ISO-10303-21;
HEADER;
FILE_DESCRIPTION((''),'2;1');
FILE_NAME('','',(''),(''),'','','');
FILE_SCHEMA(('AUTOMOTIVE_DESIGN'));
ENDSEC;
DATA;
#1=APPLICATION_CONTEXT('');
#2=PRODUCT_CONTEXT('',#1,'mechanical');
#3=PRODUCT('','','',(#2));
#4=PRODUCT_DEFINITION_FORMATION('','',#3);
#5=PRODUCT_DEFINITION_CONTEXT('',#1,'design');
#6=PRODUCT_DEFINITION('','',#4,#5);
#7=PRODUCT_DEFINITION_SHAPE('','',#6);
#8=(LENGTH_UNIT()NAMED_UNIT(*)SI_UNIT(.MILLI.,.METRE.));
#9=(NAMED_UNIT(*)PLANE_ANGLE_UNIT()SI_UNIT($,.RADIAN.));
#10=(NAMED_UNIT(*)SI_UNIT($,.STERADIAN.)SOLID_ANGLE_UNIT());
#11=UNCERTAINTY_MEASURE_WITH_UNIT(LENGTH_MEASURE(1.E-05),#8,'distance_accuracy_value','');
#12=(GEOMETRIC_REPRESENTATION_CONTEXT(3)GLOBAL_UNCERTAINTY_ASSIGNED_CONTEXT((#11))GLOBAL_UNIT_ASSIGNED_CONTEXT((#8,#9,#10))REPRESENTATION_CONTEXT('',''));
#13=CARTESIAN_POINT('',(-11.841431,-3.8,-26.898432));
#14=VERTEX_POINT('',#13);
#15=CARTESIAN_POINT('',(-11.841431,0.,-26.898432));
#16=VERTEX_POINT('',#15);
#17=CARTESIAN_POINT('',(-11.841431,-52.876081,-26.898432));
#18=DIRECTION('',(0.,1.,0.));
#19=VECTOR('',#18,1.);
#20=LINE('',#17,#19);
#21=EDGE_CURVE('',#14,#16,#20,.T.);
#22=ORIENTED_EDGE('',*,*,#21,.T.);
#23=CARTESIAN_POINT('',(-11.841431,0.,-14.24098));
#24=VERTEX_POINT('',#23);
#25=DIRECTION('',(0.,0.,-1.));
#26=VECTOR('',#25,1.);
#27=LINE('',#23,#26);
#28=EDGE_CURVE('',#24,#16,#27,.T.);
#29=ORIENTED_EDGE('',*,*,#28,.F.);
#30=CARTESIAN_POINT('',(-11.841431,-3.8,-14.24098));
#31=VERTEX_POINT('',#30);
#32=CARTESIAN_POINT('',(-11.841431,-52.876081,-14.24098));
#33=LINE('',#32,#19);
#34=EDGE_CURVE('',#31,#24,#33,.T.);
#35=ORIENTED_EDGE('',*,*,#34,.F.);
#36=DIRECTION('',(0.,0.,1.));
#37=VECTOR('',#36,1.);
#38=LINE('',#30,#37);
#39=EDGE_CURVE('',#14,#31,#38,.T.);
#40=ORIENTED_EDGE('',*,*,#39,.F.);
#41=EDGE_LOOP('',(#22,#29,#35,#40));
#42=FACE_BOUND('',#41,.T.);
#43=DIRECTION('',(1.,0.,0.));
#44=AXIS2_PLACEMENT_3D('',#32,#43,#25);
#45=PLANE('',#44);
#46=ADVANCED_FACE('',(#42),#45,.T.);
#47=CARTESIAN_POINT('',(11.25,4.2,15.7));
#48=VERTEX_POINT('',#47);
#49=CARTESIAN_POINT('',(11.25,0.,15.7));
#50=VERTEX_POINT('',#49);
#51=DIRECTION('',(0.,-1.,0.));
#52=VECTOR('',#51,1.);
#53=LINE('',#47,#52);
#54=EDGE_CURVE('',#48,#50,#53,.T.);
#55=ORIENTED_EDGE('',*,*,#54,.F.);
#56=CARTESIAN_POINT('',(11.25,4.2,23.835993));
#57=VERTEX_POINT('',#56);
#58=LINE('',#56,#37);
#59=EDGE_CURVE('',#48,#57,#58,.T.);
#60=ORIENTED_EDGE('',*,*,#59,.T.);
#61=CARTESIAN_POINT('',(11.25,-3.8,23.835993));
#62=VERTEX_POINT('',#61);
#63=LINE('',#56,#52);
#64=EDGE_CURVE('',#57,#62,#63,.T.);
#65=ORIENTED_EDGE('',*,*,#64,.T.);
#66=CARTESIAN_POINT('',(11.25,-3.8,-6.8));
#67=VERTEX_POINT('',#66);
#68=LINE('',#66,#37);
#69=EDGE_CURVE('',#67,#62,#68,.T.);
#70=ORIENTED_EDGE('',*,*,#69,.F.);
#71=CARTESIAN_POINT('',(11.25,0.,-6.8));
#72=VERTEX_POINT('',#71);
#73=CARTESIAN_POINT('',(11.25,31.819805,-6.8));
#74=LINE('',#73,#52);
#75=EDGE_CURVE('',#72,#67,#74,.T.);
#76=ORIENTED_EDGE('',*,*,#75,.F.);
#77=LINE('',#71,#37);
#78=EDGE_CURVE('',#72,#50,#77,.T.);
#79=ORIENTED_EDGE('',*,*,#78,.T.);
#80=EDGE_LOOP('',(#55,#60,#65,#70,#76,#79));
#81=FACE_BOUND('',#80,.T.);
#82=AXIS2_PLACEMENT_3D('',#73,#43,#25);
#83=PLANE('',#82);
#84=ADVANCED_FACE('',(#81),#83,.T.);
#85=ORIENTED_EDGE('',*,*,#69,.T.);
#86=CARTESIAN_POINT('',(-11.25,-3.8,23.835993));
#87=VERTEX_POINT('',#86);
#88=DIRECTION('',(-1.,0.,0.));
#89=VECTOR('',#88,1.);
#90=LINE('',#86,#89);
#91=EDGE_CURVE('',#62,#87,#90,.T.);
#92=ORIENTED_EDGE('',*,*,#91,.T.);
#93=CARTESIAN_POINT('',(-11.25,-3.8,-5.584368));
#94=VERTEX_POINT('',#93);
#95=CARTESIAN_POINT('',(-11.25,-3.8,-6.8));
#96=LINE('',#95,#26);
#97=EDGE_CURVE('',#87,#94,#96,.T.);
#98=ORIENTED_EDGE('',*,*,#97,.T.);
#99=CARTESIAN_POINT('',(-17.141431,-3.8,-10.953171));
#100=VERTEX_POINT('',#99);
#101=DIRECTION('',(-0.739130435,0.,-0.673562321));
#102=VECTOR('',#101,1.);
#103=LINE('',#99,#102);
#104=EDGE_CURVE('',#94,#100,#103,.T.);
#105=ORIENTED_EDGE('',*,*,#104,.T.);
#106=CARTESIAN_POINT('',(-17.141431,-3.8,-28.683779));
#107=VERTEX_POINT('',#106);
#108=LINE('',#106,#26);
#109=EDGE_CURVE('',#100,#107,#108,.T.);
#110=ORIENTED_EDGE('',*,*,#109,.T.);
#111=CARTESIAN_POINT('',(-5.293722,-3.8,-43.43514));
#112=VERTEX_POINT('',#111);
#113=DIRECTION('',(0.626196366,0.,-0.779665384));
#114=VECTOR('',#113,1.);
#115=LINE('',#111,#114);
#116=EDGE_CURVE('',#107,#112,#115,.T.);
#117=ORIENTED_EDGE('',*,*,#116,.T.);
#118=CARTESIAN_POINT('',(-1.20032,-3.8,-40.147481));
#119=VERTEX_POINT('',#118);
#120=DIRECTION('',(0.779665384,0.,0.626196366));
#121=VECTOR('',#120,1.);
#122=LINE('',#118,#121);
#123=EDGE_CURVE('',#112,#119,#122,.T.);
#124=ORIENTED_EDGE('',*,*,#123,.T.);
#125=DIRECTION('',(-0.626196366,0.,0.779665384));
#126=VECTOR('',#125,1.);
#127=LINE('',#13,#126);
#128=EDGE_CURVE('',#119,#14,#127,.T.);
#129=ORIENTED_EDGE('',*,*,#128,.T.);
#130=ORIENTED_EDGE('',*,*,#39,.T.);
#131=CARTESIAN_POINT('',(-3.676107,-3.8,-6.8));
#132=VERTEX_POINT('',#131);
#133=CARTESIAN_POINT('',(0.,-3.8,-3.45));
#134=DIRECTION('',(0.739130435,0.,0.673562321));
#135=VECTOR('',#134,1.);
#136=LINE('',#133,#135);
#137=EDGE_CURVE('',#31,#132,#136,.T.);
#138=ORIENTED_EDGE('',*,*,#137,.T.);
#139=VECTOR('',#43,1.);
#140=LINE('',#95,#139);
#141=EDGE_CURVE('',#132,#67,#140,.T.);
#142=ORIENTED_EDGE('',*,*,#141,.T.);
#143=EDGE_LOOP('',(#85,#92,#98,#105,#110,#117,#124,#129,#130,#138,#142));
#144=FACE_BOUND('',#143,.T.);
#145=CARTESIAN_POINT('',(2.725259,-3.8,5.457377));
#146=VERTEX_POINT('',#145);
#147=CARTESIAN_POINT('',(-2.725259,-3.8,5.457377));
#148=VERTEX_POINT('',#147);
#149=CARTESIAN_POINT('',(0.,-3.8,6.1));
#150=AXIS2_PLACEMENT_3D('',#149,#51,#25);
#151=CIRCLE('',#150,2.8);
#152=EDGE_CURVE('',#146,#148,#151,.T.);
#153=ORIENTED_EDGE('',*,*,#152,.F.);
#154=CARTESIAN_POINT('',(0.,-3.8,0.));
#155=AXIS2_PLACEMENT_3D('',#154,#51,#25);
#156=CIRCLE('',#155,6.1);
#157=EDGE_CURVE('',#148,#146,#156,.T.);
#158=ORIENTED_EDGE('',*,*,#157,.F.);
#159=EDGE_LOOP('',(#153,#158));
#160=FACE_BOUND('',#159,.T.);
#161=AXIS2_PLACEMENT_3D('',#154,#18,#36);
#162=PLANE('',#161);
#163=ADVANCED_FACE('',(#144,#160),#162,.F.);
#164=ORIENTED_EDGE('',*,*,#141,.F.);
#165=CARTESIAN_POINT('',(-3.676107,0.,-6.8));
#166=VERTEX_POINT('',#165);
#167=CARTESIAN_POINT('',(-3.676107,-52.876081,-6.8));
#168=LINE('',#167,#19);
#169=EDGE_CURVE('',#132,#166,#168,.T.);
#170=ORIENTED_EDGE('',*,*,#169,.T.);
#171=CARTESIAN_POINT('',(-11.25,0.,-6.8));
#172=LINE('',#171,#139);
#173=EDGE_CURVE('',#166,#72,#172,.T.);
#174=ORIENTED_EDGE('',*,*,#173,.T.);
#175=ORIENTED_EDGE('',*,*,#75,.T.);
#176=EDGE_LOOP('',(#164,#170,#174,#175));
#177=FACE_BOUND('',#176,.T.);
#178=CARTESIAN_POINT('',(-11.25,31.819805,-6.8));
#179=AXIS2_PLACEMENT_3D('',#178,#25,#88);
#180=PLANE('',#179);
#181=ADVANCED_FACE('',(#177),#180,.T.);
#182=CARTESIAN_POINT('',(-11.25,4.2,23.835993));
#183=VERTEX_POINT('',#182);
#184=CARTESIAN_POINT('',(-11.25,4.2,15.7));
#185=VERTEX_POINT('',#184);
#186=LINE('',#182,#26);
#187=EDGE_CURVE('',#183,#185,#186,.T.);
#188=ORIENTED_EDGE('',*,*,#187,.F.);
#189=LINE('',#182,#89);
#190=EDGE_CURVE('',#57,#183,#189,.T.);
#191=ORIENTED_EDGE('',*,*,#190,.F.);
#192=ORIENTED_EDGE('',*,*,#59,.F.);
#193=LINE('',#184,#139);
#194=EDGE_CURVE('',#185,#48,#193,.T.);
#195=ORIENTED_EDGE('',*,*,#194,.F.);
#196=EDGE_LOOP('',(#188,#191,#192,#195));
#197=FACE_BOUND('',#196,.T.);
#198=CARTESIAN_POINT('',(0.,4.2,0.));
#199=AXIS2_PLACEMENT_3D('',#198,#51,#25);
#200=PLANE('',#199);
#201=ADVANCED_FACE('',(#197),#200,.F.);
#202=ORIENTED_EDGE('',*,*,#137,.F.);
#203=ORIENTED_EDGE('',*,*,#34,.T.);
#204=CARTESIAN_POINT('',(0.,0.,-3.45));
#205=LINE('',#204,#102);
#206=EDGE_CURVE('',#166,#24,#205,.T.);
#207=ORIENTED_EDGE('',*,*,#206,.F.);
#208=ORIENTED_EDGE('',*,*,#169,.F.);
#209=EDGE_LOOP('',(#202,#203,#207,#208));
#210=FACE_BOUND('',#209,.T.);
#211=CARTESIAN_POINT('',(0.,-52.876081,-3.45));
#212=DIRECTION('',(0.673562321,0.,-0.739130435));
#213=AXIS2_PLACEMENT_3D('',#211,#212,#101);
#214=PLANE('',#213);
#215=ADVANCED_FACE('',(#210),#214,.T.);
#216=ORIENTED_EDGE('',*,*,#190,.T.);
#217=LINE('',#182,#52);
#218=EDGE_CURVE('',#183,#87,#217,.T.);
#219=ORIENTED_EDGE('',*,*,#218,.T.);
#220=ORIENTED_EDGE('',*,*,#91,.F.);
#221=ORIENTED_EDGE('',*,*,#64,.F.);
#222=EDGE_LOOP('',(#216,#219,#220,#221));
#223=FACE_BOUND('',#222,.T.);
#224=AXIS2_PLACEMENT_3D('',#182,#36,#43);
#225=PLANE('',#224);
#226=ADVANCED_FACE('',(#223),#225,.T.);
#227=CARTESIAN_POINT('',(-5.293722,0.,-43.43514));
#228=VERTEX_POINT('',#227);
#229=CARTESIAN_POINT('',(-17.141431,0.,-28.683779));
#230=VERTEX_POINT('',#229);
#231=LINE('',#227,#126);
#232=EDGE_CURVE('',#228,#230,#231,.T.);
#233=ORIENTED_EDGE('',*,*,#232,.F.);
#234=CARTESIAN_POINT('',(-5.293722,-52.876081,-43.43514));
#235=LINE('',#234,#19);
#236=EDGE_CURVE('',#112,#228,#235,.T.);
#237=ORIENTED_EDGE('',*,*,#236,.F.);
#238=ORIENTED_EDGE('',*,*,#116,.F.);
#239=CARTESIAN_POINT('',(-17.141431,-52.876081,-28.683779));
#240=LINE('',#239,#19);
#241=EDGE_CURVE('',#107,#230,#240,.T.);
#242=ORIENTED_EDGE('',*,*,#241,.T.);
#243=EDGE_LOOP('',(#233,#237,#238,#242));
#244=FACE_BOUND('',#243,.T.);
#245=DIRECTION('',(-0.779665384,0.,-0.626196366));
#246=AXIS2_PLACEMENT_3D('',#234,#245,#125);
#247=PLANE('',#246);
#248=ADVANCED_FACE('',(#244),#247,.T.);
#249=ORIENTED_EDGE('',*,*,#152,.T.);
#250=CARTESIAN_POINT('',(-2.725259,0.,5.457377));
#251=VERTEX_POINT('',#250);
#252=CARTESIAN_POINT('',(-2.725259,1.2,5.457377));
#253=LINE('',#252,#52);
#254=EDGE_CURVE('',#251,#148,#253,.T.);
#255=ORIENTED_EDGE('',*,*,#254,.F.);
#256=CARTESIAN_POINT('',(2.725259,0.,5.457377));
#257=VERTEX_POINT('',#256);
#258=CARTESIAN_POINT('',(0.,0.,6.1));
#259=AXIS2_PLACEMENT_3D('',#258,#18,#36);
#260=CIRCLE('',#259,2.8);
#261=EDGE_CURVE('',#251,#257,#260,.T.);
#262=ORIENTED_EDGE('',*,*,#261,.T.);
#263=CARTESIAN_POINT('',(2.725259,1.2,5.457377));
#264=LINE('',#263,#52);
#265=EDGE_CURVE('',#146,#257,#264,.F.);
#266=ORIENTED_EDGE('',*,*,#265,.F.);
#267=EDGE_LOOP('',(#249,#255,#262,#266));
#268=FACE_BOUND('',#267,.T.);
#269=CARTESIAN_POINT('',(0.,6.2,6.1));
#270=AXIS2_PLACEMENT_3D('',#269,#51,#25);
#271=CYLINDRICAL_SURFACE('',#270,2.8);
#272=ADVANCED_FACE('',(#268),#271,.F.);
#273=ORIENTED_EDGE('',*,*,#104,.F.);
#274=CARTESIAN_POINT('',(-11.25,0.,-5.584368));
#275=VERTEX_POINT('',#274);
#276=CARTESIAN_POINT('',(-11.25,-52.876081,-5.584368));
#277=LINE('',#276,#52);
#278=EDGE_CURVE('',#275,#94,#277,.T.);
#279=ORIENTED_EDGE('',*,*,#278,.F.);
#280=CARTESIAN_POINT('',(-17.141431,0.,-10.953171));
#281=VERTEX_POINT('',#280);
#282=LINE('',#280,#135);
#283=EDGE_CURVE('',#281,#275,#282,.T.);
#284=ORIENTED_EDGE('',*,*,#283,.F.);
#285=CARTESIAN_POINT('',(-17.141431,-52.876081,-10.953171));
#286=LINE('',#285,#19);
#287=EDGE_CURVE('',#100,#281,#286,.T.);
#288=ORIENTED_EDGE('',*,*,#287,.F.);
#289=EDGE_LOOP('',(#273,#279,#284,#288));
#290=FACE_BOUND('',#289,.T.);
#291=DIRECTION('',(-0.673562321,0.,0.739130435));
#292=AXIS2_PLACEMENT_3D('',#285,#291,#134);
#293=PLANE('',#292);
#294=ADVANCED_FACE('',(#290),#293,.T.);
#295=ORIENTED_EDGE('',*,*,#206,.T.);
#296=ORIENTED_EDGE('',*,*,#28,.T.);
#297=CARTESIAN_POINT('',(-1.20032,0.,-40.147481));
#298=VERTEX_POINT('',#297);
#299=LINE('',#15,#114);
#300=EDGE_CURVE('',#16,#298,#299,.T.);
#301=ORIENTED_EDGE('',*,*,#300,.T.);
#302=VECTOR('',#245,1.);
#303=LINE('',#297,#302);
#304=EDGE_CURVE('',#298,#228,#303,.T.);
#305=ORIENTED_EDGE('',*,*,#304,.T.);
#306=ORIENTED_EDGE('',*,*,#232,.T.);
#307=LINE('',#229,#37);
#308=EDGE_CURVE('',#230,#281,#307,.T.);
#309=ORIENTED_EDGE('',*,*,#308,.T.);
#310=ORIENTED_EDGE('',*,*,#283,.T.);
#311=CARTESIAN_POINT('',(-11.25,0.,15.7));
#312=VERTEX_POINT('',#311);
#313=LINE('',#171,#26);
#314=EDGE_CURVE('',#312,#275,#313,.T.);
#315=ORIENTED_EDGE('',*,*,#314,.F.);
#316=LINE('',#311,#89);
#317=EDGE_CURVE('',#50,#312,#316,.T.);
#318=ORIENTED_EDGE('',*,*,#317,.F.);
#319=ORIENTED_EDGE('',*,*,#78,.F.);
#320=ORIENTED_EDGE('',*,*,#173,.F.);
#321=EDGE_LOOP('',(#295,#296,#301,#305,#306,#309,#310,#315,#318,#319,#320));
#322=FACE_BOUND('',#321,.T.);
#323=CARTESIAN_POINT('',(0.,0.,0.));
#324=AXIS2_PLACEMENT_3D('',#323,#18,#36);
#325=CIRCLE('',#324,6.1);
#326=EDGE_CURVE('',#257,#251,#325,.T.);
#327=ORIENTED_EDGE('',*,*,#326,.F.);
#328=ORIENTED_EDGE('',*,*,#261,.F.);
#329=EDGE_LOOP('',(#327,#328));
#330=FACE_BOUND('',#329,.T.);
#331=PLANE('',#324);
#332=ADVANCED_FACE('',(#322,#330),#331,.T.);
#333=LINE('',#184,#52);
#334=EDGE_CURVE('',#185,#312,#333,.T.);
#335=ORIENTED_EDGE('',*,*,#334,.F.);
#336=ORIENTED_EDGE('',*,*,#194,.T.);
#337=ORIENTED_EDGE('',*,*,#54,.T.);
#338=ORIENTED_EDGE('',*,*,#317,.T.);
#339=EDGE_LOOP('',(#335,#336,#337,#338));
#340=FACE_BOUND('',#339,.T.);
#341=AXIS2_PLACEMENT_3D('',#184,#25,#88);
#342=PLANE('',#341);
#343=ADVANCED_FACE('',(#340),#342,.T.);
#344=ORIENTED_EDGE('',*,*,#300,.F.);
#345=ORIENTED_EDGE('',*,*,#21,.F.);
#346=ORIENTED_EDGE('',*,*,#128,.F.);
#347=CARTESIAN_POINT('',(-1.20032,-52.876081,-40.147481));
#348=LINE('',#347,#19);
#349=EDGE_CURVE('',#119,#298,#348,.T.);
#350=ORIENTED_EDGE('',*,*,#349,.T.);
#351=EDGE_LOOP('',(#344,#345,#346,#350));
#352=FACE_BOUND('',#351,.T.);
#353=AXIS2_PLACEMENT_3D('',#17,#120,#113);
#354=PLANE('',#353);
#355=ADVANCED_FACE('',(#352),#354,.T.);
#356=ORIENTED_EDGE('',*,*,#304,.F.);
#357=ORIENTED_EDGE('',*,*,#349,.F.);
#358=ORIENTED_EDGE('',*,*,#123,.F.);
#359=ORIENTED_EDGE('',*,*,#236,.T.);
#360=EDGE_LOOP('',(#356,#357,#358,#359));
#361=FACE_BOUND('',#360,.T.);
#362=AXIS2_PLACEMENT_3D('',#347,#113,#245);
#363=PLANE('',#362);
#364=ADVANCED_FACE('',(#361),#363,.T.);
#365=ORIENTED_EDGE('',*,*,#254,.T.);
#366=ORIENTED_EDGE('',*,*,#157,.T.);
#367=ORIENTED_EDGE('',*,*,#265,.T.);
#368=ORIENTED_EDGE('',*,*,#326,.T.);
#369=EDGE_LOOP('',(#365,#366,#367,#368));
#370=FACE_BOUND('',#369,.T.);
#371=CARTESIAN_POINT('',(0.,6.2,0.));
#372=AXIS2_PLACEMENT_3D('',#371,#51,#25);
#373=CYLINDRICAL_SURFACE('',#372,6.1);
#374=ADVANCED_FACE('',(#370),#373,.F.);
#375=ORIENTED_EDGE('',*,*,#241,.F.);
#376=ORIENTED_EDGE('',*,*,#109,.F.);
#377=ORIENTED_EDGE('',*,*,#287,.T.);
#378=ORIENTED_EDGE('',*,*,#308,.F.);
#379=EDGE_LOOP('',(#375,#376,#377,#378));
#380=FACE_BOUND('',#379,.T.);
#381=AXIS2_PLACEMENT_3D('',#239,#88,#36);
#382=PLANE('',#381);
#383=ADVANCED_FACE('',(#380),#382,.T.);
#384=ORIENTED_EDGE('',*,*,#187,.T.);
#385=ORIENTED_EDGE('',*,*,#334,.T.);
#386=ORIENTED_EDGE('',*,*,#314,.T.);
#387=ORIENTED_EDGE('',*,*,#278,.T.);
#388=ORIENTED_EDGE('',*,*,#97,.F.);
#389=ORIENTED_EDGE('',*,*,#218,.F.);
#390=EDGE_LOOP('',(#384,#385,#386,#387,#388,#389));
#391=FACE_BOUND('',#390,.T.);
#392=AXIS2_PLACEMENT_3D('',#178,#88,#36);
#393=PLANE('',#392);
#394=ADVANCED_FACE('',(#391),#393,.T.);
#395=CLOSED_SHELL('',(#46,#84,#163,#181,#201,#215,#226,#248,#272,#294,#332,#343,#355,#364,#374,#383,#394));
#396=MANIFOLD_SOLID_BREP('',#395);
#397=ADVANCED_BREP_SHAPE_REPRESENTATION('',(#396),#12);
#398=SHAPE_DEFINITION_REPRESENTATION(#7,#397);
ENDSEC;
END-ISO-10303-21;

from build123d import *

# Parameters (mm, degrees)
RESSALTO_EXTRUS_O1_DEPTH = 1.4
ESBO_O2_R                = 3.45
RESSALTO_EXTRUS_O2_DEPTH = 2.4
FURO4_D                  = 1.2
PADR_O_LINEAR1_COUNT     = 6
PADR_O_LINEAR1_PITCH     = 2
FURO1_D                  = 4.95
FURO1_DEPTH              = 2
FURO2_D                  = 4.6
FURO2_DEPTH              = 1
FURO3_D                  = 2.1
RESSALTO_EXTRUS_O3_DEPTH = 2
PADR_OCIRCULAR1_COUNT    = 60
CUT_EXTRUDE1_DEPTH       = 10
BOSS_EXTRUDE1_DEPTH      = 3.8
SKETCH4_W                = 22.5
SKETCH4_H                = 22.5
BOSS_EXTRUDE2_DEPTH      = 3.8
SKETCH5_R                = 6.1
SKETCH5_R_2              = 2.8
CUT_EXTRUDE2_DEPTH       = 10
SKETCH6_W                = 22.5
SKETCH6_H                = 8.135993376
BOSS_EXTRUDE3_DEPTH      = 8


with BuildPart() as part:
    # Esboço1 → Ressalto-extrusão1 (new body)
    with BuildSketch(Plane(origin=(0, 0, 0), x_dir=(1, 0, 0), z_dir=(0, 1, 0))):
        with BuildLine():
            Line((-14.159121967, 1.99702088), (-2.209072203, 2.65))
            ThreePointArc((-2.209072203, 2.65), (3.45, 0), (-2.209072203, -2.65))
            Line((-2.209072203, -2.65), (-14.159121967, -1.99702088))
            ThreePointArc((-14.159121967, -1.99702088), (-16.05, 0), (-14.159121967, 1.99702088))
        make_face()
    extrude(amount=-RESSALTO_EXTRUS_O1_DEPTH)

    # Esboço2 → Ressalto-extrusão2 (add)
    with BuildSketch(Plane.XZ.offset(1.4)):
        Circle(ESBO_O2_R)
    extrude(amount=RESSALTO_EXTRUS_O2_DEPTH)

    # Furo4 (through all)
    with Locations(Plane(origin=(0, 0, 0), x_dir=(1, 0, 0), z_dir=(0, 1, 0))):
        with Locations((-14.45, 0)):
            furo4 = Hole(FURO4_D / 2)

    # Padrão linear1: Furo4 ×6
    with Locations(*[(i * PADR_O_LINEAR1_PITCH, 0, 0) for i in range(1, PADR_O_LINEAR1_COUNT)]):
        add(furo4, mode=Mode.SUBTRACT)

    # Furo1
    with Locations(Plane(origin=(0, -3.8, 0), x_dir=(-1, 0, 0), z_dir=(0, -1, 0))):
        with Locations((0, 0)):
            Hole(FURO1_D / 2, depth=FURO1_DEPTH)

    # Furo2
    with Locations(Plane(origin=(0, 0, 0), x_dir=(1, 0, 0), z_dir=(0, 1, 0))):
        with Locations((0, 0)):
            Hole(FURO2_D / 2, depth=FURO2_DEPTH)

    # Furo3 (through all)
    with Locations(Plane(origin=(0, 0, 0), x_dir=(1, 0, 0), z_dir=(0, 1, 0))):
        with Locations((0, 0)):
            Hole(FURO3_D / 2)

    # Esboço11 → Ressalto-extrusão3 (add)
    with BuildSketch(Plane.XZ.offset(3.8)):
        with BuildLine():
            Line((-0.098056786, 2.473056786), (0, 2.375))
            Line((0, 2.375), (0.098056786, 2.473056786))
            ThreePointArc((0.098056786, 2.473056786), (0, 2.475), (-0.098056786, 2.473056786))
        make_face()
    ressalto_extrus_o3 = extrude(amount=-RESSALTO_EXTRUS_O3_DEPTH)

    # PadrãoCircular1: Ressalto-extrusão3 ×60 about axis
    padr_ocircular1_axis = Axis((0, 0, 0), (0, 1, 0))
    for i in range(1, PADR_OCIRCULAR1_COUNT):
        add(ressalto_extrus_o3.rotate(padr_ocircular1_axis, i * 360 / PADR_OCIRCULAR1_COUNT))

    # Sketch1 → Cut-Extrude1 (cut)
    with BuildSketch(Plane.XZ.offset(3.8)):
        with BuildLine():
            Line((0, 3.45), (-16.05, 3.45))
            Line((-16.05, 3.45), (-16.05, -3.45))
            Line((-16.05, -3.45), (0, -3.45))
            ThreePointArc((0, -3.45), (-3.45, 0), (0, 3.45))
        make_face()
    extrude(amount=-CUT_EXTRUDE1_DEPTH, mode=Mode.SUBTRACT)

    # Sketch2 → Boss-Extrude1 (add)
    with BuildSketch(Plane(origin=(0, 0, 0), x_dir=(1, 0, 0), z_dir=(0, 1, 0))):
        with BuildLine():
            Line((0, 3.45), (-11.841431407, 14.240980385))
            Line((-11.841431407, 14.240980385), (-11.841431407, 26.898431862))
            Line((-11.841431407, 26.898431862), (-1.20031972, 40.147481011))
            Line((-1.20031972, 40.147481011), (-5.293722372, 43.435139945))
            Line((-5.293722372, 43.435139945), (-17.141431407, 28.683779004))
            Line((-17.141431407, 28.683779004), (-17.141431407, 10.953171381))
            Line((-17.141431407, 10.953171381), (-2.323790008, -2.55))
            ThreePointArc((-2.323790008, -2.55), (-3.217141588, 1.245993579), (0, 3.45))
        make_face()
    extrude(amount=-BOSS_EXTRUDE1_DEPTH)

    # Sketch4 → Boss-Extrude2 (add)
    with BuildSketch(Plane.XZ.offset(3.8)):
        with Locations((0, 4.45)):
            Rectangle(SKETCH4_W, SKETCH4_H)
    extrude(amount=-BOSS_EXTRUDE2_DEPTH)

    # Sketch5 → Cut-Extrude2 (cut)
    with BuildSketch(Plane.XZ.offset(3.8)):
        Circle(SKETCH5_R)
        with Locations((0, 6.1)):
            Circle(SKETCH5_R_2)
    extrude(amount=-CUT_EXTRUDE2_DEPTH, mode=Mode.SUBTRACT)

    # Sketch6 → Boss-Extrude3 (add)
    with BuildSketch(Plane.XZ.offset(3.8)):
        with Locations((0, 19.767996688)):
            Rectangle(SKETCH6_W, SKETCH6_H)
    extrude(amount=-BOSS_EXTRUDE3_DEPTH)


solid = part.part
